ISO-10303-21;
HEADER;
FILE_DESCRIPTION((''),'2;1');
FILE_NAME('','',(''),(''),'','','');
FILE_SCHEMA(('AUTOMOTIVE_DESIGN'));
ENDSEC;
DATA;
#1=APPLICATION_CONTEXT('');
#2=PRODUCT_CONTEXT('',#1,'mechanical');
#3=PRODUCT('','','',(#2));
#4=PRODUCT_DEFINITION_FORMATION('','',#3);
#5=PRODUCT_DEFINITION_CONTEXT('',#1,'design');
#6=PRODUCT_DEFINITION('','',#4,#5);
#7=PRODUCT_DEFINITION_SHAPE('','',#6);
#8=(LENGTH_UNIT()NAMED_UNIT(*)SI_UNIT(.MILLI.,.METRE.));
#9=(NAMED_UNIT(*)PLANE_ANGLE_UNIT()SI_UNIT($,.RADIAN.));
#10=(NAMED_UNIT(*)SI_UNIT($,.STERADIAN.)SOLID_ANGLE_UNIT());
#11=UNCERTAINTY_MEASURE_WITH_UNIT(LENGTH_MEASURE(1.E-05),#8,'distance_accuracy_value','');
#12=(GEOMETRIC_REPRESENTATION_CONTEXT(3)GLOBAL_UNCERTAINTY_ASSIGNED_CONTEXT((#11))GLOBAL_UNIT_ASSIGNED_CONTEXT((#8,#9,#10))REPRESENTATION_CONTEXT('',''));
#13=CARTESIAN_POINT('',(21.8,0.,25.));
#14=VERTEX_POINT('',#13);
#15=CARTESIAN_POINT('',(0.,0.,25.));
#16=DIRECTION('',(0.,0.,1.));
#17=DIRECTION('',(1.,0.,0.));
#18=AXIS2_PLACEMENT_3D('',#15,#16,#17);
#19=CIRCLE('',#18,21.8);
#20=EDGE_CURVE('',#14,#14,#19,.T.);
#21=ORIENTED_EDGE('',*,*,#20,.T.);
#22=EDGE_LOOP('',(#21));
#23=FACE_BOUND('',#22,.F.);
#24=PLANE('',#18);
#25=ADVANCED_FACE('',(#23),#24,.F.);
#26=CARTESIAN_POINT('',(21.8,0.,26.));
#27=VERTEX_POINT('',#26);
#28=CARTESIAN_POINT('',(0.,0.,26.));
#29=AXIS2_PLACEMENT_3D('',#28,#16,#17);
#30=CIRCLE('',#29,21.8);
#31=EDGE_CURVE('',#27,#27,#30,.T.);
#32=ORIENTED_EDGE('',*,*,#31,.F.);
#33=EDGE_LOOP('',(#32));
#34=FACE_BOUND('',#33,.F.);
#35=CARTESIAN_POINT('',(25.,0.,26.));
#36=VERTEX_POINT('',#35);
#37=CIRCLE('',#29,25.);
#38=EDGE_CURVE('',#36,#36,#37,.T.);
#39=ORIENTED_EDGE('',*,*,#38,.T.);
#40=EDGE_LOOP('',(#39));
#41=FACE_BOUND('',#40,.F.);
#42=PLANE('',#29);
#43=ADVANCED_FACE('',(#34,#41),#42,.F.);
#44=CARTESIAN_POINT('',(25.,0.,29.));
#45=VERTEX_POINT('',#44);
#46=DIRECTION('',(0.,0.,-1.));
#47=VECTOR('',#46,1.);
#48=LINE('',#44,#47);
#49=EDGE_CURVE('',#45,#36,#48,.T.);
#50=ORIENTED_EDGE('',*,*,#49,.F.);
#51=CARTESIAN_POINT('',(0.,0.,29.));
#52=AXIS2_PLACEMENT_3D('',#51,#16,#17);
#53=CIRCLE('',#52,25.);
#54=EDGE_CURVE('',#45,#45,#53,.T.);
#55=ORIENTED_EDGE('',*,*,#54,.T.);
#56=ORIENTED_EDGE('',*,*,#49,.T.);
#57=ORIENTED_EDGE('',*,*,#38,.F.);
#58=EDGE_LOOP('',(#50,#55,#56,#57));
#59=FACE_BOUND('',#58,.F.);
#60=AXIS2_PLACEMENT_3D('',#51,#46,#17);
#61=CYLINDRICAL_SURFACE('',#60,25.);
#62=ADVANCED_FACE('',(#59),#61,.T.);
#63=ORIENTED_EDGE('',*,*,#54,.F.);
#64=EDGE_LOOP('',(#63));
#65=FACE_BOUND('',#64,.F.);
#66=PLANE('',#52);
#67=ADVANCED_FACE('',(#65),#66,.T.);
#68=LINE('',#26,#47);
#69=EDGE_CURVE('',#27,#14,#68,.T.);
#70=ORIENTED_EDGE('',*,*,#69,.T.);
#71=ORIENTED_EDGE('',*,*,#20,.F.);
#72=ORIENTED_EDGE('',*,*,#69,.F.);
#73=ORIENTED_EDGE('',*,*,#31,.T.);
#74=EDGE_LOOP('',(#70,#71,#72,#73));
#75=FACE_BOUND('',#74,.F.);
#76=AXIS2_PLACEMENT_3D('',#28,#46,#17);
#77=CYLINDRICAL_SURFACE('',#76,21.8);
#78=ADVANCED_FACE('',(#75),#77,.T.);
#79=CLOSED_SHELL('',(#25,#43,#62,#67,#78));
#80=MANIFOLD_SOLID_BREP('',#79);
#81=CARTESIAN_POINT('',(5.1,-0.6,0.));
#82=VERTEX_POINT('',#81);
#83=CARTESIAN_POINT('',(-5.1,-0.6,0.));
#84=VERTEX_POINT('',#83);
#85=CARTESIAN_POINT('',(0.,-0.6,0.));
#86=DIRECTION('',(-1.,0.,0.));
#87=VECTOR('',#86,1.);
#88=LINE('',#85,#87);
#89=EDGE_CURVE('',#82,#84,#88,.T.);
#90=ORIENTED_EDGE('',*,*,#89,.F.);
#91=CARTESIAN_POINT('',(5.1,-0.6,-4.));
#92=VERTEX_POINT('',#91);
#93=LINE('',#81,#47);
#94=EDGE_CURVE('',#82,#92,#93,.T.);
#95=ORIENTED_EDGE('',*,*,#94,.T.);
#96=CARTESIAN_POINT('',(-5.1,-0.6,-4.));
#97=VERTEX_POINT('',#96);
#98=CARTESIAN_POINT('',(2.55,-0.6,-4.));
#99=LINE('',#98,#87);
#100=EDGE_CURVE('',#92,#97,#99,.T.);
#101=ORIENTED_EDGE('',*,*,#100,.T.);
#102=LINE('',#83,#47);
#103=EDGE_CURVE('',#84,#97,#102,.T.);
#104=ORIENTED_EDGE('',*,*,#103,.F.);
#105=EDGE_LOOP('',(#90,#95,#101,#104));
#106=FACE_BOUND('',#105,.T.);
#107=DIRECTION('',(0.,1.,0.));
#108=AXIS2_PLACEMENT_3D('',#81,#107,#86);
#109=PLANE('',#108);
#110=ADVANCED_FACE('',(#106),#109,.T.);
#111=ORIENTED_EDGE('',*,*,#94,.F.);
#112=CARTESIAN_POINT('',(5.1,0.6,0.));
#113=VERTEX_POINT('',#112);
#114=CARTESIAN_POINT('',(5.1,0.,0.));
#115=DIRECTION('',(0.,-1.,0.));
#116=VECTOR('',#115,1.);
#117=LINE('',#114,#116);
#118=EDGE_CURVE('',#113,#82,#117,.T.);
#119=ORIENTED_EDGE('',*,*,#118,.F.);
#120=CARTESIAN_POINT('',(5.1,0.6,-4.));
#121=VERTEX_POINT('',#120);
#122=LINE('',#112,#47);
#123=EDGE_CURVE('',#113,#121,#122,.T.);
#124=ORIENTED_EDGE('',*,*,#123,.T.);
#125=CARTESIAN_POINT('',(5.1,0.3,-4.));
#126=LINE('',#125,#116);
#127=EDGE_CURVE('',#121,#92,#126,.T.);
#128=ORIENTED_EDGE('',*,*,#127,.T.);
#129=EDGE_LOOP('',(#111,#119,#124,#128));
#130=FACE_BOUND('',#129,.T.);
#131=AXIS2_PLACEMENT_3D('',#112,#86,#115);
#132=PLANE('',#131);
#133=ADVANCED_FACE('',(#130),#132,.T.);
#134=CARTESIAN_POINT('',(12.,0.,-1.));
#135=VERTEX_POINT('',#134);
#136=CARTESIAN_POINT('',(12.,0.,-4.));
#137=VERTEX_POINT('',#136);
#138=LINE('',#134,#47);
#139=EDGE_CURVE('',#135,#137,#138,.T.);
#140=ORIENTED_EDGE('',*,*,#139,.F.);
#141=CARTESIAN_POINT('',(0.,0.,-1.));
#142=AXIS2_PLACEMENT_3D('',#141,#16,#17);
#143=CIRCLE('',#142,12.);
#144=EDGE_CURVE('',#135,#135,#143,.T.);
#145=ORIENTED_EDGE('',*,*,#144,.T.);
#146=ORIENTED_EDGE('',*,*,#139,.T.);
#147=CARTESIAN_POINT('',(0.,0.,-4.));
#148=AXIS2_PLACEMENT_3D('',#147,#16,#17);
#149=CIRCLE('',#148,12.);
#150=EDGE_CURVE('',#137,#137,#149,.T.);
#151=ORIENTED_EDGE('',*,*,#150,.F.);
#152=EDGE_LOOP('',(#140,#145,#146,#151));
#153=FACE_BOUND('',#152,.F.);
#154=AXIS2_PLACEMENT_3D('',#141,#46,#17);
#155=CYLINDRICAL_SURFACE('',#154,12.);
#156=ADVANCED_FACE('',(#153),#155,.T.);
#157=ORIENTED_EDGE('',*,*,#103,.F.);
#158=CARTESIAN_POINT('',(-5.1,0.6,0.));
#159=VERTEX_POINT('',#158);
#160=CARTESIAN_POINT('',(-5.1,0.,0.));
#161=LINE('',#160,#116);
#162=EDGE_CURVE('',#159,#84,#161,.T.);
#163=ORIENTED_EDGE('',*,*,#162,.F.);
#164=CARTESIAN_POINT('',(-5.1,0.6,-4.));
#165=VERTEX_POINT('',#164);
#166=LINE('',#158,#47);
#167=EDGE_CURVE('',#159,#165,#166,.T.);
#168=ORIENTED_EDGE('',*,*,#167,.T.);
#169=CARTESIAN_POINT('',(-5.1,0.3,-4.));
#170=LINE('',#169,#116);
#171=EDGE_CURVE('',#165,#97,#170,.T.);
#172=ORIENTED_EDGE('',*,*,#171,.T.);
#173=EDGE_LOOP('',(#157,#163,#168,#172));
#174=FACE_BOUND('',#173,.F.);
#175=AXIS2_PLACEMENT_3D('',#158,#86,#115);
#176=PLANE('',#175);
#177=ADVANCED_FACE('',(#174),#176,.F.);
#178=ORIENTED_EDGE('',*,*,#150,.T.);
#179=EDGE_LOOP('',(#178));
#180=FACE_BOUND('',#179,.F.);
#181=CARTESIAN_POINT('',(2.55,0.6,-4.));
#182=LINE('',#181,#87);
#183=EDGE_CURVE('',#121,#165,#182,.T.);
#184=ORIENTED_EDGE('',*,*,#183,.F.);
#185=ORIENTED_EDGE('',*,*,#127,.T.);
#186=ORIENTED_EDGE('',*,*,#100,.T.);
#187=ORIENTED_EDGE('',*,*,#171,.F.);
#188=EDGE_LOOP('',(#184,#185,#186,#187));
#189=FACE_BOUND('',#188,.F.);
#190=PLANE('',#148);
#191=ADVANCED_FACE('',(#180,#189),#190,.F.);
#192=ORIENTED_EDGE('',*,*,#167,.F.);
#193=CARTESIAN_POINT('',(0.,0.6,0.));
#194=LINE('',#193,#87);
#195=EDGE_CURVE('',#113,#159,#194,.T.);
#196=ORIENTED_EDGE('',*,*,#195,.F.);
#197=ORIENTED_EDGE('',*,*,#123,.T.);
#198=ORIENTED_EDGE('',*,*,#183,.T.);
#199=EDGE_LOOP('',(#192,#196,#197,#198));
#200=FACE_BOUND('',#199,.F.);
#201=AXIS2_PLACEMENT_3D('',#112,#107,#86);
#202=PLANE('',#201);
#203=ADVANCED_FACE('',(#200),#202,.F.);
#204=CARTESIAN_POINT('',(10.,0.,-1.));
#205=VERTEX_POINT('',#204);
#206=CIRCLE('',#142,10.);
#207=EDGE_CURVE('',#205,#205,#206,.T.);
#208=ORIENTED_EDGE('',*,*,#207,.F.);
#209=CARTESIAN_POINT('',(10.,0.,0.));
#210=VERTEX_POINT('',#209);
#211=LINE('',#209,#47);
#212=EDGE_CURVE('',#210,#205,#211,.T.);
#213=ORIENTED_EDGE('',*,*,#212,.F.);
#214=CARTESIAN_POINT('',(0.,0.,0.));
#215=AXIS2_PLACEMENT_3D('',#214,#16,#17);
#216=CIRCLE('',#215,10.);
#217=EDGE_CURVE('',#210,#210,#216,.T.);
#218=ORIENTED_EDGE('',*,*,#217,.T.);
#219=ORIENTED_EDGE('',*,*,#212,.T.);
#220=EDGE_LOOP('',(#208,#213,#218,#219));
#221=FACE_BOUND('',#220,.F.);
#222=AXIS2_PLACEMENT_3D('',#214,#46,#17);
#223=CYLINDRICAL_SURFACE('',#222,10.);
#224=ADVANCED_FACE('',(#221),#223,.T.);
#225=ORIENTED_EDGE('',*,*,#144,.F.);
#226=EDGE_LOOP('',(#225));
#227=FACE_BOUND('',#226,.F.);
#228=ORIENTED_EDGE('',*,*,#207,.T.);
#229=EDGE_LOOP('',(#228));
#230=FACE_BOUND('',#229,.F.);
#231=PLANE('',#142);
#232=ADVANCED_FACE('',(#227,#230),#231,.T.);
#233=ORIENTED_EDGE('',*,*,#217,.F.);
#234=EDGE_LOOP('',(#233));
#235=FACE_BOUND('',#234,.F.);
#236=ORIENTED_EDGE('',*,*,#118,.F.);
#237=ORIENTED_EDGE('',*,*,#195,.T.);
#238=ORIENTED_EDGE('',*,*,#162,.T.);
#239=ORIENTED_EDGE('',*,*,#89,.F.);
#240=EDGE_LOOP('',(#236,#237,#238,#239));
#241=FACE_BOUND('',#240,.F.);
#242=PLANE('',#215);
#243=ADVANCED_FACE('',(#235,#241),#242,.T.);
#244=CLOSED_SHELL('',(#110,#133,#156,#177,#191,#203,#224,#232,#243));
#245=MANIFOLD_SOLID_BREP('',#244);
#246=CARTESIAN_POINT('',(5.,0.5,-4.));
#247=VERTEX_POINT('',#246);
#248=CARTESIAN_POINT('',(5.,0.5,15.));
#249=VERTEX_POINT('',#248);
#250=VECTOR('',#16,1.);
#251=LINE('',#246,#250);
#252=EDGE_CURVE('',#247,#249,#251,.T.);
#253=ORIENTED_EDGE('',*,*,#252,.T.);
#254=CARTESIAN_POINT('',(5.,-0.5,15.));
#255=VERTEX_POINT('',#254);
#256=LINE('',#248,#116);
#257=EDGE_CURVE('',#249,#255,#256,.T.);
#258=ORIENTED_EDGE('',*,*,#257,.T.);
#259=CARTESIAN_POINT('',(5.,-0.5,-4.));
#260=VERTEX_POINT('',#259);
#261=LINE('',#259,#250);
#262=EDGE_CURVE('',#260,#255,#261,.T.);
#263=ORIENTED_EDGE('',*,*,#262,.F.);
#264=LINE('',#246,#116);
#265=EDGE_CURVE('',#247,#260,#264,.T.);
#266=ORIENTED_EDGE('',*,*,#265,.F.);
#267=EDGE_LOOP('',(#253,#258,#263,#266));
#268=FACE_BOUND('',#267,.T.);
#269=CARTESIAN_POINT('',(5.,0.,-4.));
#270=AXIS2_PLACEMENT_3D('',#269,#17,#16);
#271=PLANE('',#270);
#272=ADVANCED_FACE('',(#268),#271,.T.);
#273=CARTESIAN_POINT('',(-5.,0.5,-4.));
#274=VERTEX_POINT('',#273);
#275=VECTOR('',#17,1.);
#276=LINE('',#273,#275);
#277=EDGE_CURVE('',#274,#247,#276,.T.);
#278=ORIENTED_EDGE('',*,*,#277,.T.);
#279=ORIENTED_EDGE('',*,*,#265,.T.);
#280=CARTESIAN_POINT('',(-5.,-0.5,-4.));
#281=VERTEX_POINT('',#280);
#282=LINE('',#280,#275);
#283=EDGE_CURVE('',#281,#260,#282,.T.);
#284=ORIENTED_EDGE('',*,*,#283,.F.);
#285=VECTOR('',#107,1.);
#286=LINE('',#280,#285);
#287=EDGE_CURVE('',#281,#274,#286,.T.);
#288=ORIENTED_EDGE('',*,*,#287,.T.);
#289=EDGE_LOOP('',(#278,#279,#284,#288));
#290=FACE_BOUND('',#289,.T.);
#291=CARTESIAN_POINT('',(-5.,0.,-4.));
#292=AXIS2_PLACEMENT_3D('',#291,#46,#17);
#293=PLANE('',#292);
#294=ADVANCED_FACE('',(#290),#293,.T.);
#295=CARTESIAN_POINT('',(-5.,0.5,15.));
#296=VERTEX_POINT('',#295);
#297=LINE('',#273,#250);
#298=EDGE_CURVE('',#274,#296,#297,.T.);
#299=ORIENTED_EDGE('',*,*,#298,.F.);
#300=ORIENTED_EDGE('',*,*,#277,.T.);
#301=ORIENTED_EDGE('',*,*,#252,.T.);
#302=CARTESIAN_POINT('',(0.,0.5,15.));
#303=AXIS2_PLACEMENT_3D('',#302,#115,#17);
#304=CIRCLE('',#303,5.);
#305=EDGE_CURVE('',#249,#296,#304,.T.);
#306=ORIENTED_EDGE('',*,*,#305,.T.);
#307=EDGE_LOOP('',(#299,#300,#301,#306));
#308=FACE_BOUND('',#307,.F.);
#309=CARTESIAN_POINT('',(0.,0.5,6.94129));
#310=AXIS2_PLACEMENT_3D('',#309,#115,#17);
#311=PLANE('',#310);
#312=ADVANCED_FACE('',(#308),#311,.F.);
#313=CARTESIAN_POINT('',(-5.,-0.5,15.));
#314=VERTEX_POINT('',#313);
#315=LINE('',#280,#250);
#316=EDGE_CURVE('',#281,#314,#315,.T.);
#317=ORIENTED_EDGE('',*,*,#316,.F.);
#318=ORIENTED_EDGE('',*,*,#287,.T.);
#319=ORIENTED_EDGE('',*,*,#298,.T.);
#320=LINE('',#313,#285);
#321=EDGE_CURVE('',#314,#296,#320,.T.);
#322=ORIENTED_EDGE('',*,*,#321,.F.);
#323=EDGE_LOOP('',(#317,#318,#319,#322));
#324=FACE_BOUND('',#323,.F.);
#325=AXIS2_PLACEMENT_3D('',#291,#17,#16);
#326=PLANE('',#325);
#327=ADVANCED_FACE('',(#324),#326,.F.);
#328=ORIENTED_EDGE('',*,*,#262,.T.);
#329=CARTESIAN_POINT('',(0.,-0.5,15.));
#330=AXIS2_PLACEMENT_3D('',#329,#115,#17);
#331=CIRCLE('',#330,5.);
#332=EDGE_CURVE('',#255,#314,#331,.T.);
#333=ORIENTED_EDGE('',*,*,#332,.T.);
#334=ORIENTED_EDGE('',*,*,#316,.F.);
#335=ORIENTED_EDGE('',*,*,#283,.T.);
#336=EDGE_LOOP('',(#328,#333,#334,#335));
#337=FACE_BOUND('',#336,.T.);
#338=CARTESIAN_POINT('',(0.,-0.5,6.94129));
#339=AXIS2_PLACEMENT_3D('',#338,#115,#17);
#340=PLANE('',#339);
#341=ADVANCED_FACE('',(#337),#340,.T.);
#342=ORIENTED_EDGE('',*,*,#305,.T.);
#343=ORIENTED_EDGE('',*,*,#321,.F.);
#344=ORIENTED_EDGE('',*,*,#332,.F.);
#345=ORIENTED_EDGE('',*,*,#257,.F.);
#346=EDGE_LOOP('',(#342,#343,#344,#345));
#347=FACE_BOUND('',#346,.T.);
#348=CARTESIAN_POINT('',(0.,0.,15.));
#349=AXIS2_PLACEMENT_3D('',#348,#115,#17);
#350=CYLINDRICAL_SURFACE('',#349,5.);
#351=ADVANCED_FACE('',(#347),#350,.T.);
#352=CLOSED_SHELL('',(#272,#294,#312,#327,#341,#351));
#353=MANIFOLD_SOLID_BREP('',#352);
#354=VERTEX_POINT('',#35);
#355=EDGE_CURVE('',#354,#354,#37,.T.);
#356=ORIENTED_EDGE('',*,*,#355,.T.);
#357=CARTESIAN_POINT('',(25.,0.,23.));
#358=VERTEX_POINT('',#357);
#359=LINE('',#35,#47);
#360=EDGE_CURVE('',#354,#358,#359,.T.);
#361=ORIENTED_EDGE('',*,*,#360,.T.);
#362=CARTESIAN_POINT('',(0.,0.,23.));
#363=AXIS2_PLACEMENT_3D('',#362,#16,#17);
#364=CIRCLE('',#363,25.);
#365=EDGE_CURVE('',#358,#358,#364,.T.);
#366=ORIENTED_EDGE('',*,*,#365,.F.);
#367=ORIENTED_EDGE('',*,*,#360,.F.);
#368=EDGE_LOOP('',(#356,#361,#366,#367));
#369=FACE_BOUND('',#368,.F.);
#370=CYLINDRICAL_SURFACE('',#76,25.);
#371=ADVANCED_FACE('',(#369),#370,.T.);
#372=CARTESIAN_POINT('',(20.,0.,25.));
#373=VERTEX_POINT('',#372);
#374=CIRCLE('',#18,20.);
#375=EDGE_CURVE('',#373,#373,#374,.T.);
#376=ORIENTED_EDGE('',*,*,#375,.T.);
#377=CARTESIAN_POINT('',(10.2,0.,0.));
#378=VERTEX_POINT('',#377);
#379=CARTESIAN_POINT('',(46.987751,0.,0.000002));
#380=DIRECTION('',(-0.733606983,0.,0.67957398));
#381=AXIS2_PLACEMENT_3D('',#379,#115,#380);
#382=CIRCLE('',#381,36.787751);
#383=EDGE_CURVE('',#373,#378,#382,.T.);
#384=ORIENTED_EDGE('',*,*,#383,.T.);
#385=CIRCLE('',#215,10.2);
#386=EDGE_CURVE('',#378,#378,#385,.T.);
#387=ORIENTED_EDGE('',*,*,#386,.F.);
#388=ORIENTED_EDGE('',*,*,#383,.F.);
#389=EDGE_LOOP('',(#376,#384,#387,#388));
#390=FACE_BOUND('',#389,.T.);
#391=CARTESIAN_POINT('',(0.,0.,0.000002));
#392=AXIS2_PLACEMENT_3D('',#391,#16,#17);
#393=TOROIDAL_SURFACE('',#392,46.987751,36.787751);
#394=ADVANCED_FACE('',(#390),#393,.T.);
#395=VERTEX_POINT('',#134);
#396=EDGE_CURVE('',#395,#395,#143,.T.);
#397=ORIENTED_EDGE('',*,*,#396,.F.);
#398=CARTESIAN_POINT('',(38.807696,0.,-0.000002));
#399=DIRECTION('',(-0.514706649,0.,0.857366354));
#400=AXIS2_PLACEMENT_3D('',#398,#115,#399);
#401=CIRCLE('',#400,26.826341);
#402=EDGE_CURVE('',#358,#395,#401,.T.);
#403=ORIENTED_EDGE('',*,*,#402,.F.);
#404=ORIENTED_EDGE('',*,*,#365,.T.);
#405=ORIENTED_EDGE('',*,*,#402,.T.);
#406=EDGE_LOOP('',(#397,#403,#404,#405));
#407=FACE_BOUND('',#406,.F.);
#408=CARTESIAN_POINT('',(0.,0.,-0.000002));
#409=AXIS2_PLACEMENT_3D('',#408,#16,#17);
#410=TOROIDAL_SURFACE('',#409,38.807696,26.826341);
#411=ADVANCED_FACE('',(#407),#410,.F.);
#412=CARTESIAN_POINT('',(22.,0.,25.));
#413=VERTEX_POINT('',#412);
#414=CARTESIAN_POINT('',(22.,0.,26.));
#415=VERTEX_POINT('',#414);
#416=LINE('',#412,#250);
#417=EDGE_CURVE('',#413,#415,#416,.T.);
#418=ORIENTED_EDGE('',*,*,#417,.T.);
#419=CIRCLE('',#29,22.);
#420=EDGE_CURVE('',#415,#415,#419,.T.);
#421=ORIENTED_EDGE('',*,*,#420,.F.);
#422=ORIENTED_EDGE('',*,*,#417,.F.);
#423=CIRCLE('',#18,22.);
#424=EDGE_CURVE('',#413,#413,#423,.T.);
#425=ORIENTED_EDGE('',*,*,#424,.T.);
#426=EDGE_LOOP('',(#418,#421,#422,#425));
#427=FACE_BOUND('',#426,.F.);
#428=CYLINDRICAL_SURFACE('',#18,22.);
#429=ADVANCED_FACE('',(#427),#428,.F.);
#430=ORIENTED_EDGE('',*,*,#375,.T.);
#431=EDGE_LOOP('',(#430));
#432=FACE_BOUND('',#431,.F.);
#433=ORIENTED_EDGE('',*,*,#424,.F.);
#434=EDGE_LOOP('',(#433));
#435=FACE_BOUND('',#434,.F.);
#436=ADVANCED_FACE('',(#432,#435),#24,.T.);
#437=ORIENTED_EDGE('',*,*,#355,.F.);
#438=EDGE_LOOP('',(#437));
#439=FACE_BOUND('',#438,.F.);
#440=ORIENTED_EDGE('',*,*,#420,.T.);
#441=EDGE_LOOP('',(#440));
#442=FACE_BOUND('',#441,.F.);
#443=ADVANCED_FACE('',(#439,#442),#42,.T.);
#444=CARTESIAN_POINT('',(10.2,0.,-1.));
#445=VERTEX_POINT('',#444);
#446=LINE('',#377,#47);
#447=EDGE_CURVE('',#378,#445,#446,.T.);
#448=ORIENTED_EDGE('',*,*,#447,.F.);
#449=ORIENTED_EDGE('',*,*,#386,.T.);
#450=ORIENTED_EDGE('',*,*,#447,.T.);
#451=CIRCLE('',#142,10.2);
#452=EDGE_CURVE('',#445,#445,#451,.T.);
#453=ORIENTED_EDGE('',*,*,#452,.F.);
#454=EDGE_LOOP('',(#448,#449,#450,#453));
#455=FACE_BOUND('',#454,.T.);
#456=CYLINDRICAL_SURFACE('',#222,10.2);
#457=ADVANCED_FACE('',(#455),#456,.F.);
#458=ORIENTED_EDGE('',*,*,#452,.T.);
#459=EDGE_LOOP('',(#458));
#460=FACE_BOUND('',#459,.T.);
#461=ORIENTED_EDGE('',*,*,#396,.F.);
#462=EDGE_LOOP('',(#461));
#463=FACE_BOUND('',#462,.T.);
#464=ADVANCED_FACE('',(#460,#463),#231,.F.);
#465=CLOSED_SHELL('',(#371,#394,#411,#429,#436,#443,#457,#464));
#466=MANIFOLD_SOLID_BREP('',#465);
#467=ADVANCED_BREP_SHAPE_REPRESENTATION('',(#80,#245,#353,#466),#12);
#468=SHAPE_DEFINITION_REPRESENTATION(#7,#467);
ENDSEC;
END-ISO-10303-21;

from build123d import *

# Parameters (mm, degrees)
SKETCH001_W  = 10.2
SKETCH001_H  = 1.2
POCKET_DEPTH = 5
PAD_DEPTH    = 0.5


with BuildPart() as body:
    # Sketch → Revolution (revolve)
    with BuildSketch(Plane.XZ):
        Polygon((0, 0), (10, 0), (10, -1), (12, -1), (12, -4), (0, -4), align=None)
    revolve(axis=Axis((0, 0, 0), (0, 0, 1)))

    # Sketch001 (on Face1 of Revolution) → Pocket (cut)
    with BuildSketch(Plane(origin=(0, 0, 0), x_dir=(-1, 0, 0), z_dir=(0, 0, 1))):
        Rectangle(SKETCH001_W, SKETCH001_H)
    extrude(amount=-POCKET_DEPTH, mode=Mode.SUBTRACT)


with BuildPart() as body001:
    # Sketch002 → Revolution001 (revolve)
    with BuildSketch(Plane.XZ):
        with BuildLine():
            Line((10.2, 0), (10.2, -1))
            Line((10.2, -1), (12, -1))
            ThreePointArc((25, 23), (15.21951, 12.776932), (12, -1))
            Line((25, 26), (25, 23))
            Line((22, 26), (25, 26))
            Line((22, 25), (22, 26))
            Line((20, 25), (22, 25))
            ThreePointArc((20, 25), (12.737515, 13.426094), (10.2, 0))
        make_face()
    revolve(axis=Axis((0, 0, 0), (0, 0, 1)))


with BuildPart() as body002:
    # Sketch003 → Revolution002 (revolve)
    with BuildSketch(Plane.XZ):
        Polygon((21.8, 25), (0, 25), (0, 29), (25, 29), (25, 26), (21.8, 26), align=None)
    revolve(axis=Axis((0, 0, 0), (0, 0, 1)))


with BuildPart() as body003:
    # Sketch004 → Pad (new body, symmetric)
    with BuildSketch(Plane.XZ):
        with BuildLine():
            Line((-5, -4), (5, -4))
            Line((5, -4), (5, 15))
            ThreePointArc((5, 15), (0, 20), (-5, 15))
            Line((-5, -4), (-5, 15))
        make_face()
    extrude(amount=PAD_DEPTH, both=True)


solid = Compound([body.part, body001.part, body002.part, body003.part])
